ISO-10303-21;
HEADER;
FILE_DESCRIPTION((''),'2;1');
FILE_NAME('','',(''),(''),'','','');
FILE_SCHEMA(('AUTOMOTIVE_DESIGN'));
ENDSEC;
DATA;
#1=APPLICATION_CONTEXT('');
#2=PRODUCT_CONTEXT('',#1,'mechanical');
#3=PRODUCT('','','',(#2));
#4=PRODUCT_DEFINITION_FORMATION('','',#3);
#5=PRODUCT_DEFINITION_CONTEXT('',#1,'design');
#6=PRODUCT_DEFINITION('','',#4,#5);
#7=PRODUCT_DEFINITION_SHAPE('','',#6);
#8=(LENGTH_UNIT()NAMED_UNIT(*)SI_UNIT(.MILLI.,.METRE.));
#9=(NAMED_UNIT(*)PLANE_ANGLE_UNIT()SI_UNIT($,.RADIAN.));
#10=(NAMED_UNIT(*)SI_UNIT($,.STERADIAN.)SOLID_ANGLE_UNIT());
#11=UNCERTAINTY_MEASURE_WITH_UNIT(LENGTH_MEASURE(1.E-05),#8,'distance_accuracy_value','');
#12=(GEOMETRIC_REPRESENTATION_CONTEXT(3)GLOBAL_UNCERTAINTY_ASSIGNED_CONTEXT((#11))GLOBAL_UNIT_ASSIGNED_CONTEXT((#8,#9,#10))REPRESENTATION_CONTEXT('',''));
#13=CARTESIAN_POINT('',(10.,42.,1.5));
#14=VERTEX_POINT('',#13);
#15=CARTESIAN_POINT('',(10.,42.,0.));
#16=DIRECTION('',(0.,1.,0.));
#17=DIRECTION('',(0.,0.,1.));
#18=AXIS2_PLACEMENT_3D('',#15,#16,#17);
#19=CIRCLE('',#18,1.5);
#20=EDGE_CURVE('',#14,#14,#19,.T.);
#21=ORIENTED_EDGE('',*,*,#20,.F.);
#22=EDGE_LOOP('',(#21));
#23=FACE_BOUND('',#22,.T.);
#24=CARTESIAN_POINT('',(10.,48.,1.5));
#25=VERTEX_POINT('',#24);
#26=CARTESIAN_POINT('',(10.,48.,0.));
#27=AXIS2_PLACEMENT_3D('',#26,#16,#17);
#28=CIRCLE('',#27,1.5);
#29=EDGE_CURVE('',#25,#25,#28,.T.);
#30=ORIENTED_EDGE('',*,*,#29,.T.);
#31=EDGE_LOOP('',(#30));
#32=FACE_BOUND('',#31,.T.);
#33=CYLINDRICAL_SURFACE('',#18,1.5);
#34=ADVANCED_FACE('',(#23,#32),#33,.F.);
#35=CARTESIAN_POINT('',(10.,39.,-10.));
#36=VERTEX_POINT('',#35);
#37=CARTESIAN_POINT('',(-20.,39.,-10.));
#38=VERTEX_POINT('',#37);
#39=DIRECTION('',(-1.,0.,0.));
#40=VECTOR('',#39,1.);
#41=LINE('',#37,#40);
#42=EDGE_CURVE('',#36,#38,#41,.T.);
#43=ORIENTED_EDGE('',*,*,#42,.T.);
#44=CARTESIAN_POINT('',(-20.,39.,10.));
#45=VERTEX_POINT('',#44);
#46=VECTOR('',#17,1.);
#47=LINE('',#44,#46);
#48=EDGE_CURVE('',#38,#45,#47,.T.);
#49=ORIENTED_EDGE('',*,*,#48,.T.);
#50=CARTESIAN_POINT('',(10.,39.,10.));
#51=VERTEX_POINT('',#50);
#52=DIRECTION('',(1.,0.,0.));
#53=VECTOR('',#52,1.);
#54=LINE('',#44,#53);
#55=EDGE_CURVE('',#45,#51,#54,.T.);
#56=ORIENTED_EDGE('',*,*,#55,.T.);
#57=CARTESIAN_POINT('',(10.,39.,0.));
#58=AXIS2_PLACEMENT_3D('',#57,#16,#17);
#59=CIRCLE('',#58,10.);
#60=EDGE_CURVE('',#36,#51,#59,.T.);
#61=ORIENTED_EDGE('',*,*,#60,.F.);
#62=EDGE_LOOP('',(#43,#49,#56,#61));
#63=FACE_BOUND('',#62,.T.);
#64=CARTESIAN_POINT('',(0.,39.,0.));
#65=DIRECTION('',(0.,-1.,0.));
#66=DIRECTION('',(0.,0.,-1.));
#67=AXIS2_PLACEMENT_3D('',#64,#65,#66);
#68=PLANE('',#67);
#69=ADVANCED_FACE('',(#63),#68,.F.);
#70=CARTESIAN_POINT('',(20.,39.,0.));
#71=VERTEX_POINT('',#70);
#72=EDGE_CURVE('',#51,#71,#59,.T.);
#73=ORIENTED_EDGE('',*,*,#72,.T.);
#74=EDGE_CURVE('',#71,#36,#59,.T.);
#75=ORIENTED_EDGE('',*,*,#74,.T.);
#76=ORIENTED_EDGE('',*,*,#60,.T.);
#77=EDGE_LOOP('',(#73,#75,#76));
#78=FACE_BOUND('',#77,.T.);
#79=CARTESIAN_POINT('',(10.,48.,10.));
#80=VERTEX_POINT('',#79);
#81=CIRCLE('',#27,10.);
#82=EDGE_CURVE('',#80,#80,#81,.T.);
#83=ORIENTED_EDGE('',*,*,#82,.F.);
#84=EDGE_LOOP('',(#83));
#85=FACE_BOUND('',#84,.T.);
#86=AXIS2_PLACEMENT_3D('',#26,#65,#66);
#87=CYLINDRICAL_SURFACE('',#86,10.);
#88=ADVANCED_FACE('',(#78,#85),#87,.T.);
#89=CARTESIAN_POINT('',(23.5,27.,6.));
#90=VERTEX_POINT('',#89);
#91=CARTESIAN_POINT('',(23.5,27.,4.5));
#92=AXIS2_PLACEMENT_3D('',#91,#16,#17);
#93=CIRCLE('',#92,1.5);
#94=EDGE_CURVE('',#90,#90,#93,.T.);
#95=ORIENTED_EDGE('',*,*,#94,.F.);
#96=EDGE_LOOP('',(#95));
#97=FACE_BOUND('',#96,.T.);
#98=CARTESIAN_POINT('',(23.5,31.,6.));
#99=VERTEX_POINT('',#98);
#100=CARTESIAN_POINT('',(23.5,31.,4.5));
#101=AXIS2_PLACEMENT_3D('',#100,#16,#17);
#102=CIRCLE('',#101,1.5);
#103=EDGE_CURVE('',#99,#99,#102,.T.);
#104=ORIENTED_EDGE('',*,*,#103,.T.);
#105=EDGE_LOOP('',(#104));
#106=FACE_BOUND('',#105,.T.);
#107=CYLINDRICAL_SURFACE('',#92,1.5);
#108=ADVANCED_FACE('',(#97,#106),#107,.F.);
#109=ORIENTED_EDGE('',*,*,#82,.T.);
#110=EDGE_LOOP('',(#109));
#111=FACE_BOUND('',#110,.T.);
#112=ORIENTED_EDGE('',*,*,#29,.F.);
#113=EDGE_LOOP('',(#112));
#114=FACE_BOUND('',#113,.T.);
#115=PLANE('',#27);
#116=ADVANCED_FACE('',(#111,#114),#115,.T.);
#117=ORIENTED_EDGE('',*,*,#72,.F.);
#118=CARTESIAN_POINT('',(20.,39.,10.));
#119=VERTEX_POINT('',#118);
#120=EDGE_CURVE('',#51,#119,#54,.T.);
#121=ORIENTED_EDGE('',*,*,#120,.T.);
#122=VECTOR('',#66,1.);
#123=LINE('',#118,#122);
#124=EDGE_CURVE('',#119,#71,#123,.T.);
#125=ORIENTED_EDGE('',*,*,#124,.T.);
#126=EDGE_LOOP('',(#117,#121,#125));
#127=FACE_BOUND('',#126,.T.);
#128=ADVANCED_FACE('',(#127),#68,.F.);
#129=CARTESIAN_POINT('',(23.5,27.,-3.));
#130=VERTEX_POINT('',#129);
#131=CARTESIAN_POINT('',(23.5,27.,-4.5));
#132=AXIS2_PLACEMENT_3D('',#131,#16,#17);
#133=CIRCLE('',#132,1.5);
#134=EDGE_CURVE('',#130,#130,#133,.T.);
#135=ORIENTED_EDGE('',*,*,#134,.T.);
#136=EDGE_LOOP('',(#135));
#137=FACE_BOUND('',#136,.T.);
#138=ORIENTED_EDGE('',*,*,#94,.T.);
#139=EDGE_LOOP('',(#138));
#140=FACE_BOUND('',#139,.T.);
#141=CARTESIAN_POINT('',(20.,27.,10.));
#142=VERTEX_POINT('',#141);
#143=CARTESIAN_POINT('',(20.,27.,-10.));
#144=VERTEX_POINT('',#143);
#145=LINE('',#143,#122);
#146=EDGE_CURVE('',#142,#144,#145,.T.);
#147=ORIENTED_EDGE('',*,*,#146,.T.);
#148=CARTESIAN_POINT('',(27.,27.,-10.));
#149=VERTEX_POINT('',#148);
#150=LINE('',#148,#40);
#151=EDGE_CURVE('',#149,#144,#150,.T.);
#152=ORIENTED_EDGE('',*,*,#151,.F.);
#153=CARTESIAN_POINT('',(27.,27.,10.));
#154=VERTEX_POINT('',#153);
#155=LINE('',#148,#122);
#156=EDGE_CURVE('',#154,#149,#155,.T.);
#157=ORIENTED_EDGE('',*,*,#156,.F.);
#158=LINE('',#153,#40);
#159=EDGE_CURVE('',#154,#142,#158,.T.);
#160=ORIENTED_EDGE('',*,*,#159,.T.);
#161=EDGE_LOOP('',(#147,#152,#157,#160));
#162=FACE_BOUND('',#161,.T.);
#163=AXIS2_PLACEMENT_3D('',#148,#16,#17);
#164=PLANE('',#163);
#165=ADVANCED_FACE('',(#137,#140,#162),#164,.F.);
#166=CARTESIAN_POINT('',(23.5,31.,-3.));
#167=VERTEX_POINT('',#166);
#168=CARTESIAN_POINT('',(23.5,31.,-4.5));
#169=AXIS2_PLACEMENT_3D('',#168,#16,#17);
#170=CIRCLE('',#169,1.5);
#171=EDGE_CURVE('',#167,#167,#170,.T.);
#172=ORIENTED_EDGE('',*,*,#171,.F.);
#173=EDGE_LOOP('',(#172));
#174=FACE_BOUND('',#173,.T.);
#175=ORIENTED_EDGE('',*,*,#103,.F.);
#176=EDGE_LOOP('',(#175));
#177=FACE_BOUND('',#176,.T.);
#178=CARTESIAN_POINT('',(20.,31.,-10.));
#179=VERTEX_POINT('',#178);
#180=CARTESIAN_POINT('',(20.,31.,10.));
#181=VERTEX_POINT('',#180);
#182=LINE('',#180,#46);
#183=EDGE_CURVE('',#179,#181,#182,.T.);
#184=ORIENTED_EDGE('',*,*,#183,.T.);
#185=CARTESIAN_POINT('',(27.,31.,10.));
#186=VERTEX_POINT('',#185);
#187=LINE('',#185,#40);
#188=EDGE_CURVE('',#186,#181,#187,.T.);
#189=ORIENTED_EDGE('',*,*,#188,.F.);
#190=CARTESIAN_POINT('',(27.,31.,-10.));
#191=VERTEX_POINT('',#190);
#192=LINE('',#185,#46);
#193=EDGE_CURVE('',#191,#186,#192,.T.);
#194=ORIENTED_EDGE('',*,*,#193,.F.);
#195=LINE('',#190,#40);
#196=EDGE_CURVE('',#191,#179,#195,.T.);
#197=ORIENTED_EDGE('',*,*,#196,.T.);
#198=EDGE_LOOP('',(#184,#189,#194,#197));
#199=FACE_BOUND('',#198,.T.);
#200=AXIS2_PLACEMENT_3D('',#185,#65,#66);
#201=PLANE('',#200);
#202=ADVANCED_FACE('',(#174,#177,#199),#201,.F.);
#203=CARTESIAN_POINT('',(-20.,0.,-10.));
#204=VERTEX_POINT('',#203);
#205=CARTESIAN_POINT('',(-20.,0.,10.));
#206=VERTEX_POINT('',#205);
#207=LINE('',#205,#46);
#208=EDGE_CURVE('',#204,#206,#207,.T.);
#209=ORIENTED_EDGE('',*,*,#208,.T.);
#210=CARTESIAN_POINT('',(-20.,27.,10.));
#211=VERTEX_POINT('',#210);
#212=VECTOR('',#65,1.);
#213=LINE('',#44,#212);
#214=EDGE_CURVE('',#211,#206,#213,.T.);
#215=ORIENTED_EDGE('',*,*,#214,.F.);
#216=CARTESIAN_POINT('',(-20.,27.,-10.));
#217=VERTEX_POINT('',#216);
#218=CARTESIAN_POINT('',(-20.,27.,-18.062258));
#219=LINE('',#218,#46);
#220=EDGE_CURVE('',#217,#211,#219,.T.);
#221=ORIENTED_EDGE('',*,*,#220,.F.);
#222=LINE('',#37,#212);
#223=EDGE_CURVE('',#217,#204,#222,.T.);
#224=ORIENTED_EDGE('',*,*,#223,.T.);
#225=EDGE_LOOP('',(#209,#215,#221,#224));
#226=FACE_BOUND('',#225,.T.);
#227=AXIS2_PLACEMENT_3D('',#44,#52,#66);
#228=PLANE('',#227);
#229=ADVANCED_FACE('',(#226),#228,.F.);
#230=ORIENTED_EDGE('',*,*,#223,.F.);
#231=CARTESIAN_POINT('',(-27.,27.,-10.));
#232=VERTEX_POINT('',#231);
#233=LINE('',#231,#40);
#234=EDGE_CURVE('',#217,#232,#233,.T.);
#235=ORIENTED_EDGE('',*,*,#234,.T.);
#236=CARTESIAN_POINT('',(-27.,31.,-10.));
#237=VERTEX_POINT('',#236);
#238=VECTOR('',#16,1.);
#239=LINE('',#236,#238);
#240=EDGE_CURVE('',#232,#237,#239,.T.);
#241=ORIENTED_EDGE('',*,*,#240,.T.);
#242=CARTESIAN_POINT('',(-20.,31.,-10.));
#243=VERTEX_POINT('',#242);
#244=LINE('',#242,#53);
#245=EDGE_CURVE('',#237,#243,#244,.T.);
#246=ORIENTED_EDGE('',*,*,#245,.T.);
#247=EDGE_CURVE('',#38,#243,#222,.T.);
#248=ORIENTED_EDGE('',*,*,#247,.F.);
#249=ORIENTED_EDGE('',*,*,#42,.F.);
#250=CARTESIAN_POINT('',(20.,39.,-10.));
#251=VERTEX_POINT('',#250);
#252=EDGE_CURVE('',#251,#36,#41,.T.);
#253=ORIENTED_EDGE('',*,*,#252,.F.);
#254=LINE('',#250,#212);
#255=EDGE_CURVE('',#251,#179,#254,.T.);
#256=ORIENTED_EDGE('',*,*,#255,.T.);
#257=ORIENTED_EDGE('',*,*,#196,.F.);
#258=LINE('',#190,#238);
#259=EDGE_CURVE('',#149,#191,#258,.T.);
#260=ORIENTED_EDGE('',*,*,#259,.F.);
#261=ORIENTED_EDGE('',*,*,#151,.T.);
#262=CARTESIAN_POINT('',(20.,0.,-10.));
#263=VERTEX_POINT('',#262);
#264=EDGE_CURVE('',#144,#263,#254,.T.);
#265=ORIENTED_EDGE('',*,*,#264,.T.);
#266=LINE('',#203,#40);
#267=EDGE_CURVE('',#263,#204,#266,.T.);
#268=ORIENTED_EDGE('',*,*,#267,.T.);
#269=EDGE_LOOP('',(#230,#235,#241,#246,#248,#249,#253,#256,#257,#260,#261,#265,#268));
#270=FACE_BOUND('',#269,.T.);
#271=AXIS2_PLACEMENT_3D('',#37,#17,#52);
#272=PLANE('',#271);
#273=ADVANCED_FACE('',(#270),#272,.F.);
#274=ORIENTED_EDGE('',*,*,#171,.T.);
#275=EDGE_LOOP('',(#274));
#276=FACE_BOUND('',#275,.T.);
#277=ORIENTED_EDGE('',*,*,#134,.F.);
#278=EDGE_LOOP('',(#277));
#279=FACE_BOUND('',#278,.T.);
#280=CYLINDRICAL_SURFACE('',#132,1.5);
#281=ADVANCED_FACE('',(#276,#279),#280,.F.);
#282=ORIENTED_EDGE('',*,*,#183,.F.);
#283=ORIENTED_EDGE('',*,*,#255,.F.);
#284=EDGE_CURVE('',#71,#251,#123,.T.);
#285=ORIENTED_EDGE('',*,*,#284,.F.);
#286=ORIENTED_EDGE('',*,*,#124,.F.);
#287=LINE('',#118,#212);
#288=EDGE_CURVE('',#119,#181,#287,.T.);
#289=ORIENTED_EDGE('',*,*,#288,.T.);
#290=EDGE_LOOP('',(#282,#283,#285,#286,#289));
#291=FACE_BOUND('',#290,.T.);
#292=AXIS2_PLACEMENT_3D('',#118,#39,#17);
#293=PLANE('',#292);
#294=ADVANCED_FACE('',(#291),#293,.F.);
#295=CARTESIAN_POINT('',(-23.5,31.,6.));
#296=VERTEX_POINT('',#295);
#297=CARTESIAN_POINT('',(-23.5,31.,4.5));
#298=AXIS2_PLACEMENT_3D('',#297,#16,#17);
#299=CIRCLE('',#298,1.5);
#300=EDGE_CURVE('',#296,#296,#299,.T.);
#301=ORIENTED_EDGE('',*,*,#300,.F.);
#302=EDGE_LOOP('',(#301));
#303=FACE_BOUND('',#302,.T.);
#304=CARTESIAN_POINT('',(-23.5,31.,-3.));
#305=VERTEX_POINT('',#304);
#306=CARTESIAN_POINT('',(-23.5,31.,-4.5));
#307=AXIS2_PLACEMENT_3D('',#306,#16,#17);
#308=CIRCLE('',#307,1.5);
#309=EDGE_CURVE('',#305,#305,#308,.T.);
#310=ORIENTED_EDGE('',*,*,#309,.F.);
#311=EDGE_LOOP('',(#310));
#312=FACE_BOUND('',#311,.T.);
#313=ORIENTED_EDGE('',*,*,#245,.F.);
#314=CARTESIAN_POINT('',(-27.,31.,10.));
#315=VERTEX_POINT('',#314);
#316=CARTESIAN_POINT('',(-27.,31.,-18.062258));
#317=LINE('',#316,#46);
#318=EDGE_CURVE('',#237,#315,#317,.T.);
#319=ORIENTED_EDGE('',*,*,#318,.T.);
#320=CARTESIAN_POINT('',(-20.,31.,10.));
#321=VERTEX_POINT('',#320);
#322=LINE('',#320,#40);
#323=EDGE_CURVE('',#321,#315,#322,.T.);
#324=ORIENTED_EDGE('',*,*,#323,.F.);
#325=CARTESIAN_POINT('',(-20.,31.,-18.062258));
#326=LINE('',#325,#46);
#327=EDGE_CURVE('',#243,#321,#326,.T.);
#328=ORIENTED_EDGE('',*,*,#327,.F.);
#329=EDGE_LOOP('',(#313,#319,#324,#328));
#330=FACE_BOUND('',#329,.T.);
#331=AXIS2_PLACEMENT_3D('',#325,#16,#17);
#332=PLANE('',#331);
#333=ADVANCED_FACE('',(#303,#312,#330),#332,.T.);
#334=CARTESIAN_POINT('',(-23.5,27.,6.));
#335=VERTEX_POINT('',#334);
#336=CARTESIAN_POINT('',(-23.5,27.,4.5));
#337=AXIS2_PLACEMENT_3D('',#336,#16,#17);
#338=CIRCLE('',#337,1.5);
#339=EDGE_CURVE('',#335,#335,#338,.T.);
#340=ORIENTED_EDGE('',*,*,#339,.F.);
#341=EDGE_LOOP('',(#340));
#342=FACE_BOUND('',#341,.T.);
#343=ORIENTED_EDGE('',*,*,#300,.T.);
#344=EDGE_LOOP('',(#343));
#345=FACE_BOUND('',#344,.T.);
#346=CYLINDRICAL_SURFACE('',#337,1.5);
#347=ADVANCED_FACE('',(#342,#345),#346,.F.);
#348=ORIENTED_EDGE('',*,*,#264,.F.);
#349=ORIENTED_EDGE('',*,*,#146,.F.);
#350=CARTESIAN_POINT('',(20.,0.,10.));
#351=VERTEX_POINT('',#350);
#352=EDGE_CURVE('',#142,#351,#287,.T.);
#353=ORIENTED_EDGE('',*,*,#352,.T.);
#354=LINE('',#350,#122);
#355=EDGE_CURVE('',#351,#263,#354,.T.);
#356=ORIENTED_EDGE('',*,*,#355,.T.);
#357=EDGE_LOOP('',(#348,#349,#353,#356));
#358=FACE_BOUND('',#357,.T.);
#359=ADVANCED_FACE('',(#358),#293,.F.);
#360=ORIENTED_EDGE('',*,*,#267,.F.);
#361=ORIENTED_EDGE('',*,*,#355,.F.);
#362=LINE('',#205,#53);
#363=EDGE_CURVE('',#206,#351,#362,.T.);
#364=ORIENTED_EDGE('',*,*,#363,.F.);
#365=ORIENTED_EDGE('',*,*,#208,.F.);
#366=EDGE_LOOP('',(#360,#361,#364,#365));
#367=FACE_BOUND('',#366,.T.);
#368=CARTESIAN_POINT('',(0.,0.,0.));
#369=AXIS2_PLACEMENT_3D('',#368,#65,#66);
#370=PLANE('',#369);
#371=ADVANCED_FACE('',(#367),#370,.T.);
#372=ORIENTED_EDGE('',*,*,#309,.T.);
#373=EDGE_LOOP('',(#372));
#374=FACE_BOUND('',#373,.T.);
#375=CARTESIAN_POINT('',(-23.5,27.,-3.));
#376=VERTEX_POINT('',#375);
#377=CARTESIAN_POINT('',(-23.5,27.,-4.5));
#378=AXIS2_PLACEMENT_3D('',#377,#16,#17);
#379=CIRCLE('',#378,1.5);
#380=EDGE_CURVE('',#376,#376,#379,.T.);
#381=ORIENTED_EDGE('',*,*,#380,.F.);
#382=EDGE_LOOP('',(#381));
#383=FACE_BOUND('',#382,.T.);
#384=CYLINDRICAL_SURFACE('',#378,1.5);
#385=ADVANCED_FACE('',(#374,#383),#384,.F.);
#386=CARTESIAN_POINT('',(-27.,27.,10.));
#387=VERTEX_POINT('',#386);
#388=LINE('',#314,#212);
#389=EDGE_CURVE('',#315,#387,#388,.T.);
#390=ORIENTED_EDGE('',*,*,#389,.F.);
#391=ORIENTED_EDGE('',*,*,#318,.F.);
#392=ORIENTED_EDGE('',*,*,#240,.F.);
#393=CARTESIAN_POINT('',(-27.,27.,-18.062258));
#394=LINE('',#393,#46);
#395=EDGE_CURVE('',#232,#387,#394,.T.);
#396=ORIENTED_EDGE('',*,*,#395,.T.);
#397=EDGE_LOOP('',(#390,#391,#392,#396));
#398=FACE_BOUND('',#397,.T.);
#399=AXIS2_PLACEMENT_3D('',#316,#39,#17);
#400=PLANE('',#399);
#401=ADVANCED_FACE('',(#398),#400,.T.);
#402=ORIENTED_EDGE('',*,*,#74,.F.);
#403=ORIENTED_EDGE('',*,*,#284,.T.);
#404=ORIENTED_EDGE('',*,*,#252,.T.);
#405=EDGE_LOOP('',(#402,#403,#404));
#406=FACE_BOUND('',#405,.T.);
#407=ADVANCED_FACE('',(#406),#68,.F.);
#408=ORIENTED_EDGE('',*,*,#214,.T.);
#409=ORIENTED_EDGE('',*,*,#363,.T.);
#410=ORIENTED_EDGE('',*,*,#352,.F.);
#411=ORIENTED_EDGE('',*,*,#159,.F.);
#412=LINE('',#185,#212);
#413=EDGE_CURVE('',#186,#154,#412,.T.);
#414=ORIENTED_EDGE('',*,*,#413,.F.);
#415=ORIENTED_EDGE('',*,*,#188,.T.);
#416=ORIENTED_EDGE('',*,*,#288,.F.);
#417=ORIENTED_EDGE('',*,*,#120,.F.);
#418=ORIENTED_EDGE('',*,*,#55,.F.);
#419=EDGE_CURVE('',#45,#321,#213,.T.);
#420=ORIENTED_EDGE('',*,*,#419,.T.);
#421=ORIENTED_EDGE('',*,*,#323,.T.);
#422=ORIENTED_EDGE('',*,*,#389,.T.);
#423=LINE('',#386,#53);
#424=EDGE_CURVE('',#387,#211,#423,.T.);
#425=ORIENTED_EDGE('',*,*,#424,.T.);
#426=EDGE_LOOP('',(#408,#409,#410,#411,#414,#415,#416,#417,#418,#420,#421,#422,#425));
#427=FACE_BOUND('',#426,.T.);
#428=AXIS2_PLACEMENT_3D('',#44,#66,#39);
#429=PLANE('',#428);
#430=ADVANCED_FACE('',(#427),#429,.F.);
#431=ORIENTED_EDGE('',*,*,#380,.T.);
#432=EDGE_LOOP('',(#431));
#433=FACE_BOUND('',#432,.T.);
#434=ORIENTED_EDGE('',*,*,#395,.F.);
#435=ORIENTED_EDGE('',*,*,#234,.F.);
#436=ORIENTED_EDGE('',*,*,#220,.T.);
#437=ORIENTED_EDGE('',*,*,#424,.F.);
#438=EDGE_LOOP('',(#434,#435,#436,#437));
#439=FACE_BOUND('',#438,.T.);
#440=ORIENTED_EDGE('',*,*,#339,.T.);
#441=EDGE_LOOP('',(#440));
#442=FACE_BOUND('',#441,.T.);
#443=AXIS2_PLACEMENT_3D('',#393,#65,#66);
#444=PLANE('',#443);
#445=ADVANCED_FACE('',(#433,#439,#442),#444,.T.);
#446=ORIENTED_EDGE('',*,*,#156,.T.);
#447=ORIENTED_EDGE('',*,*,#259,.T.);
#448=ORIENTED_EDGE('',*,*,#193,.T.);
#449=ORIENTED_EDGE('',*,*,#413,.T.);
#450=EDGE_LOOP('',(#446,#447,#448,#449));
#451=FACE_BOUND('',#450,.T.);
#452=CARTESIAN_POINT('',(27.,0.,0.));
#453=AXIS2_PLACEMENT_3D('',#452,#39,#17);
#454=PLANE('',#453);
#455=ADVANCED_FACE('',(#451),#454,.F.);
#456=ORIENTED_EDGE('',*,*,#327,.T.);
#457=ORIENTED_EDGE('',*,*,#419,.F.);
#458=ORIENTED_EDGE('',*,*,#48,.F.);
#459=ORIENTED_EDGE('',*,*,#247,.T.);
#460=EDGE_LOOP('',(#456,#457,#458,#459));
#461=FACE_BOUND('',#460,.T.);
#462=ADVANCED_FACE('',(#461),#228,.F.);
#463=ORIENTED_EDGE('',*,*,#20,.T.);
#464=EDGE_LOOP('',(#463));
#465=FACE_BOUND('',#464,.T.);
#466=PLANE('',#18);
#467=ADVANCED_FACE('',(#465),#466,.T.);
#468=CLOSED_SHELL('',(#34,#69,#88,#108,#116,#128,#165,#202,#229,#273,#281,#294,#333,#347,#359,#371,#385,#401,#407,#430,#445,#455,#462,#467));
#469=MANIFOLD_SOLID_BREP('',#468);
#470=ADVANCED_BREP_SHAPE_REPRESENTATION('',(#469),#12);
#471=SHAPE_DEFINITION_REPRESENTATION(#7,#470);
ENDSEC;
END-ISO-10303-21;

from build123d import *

# Parameters (mm, degrees)
SKETCH_1_W          = 40
SKETCH_1_H          = 20
EXTRUDE_1_DEPTH     = 39
SKETCH_2_W          = 20
SKETCH_2_H          = 4
EXTRUDE_2_DEPTH     = 7
SKETCH_3_R          = 1.5
CUT_EXTRUDE_1_DEPTH = 4
SKETCH_4_W          = 7
SKETCH_4_H          = 4
EXTRUDE_3_DEPTH     = 20
SKETCH_5_R          = 1.5
CUT_EXTRUDE_2_DEPTH = 4
SKETCH_6_R          = 10
EXTRUDE_4_DEPTH     = 9
SKETCH_7_R          = 1.5
CUT_EXTRUDE_3_DEPTH = 6


with BuildPart() as part:
    # Эскиз1 → Бобышка-Вытянуть1 (new body)
    with BuildSketch(Plane(origin=(0, 0, 0), x_dir=(1, 0, 0), z_dir=(0, 1, 0))):
        Rectangle(SKETCH_1_W, SKETCH_1_H)
    extrude(amount=EXTRUDE_1_DEPTH)

    # Эскиз2 → Бобышка-Вытянуть2 (add)
    with BuildSketch(Plane(origin=(20, 0, 0), x_dir=(0, 0, -1), z_dir=(1, 0, 0))):
        with Locations((0, 29)):
            Rectangle(SKETCH_2_W, SKETCH_2_H)
    extrude(amount=EXTRUDE_2_DEPTH)

    # Эскиз3 → Вырез-Вытянуть1 (cut)
    with BuildSketch(Plane(origin=(0, 31, 0), x_dir=(1, 0, 0), z_dir=(0, 1, 0))):
        with Locations(Location((23.5, 4.5, 0), (0, 0, 270))):
            Circle(SKETCH_3_R)
        with Locations(Location((23.5, -4.5, 0), (0, 0, 270))):
            Circle(SKETCH_3_R)
    extrude(amount=-CUT_EXTRUDE_1_DEPTH, mode=Mode.SUBTRACT)

    # Эскиз4 → Бобышка-Вытянуть3 (add)
    with BuildSketch(Plane.XY.offset(10)):
        with Locations((-23.5, 29)):
            Rectangle(SKETCH_4_W, SKETCH_4_H)
    extrude(amount=-EXTRUDE_3_DEPTH)

    # Эскиз5 → Вырез-Вытянуть2 (cut)
    with BuildSketch(Plane(origin=(0, 31, 0), x_dir=(1, 0, 0), z_dir=(0, 1, 0))):
        with Locations(Location((-23.5, -4.5, 0), (0, 0, 270))):
            Circle(SKETCH_5_R)
        with Locations(Location((-23.5, 4.5, 0), (0, 0, 270))):
            Circle(SKETCH_5_R)
    extrude(amount=-CUT_EXTRUDE_2_DEPTH, mode=Mode.SUBTRACT)

    # Эскиз6 → Бобышка-Вытянуть4 (add)
    with BuildSketch(Plane(origin=(0, 39, 0), x_dir=(1, 0, 0), z_dir=(0, 1, 0))):
        with Locations(Location((10, 0, 0), (0, 0, 270))):
            Circle(SKETCH_6_R)
    extrude(amount=EXTRUDE_4_DEPTH)

    # Эскиз7 → Вырез-Вытянуть3 (cut)
    with BuildSketch(Plane(origin=(0, 48, 0), x_dir=(1, 0, 0), z_dir=(0, 1, 0))):
        with Locations(Location((10, 0, 0), (0, 0, 270))):
            Circle(SKETCH_7_R)
    extrude(amount=-CUT_EXTRUDE_3_DEPTH, mode=Mode.SUBTRACT)


solid = part.part
